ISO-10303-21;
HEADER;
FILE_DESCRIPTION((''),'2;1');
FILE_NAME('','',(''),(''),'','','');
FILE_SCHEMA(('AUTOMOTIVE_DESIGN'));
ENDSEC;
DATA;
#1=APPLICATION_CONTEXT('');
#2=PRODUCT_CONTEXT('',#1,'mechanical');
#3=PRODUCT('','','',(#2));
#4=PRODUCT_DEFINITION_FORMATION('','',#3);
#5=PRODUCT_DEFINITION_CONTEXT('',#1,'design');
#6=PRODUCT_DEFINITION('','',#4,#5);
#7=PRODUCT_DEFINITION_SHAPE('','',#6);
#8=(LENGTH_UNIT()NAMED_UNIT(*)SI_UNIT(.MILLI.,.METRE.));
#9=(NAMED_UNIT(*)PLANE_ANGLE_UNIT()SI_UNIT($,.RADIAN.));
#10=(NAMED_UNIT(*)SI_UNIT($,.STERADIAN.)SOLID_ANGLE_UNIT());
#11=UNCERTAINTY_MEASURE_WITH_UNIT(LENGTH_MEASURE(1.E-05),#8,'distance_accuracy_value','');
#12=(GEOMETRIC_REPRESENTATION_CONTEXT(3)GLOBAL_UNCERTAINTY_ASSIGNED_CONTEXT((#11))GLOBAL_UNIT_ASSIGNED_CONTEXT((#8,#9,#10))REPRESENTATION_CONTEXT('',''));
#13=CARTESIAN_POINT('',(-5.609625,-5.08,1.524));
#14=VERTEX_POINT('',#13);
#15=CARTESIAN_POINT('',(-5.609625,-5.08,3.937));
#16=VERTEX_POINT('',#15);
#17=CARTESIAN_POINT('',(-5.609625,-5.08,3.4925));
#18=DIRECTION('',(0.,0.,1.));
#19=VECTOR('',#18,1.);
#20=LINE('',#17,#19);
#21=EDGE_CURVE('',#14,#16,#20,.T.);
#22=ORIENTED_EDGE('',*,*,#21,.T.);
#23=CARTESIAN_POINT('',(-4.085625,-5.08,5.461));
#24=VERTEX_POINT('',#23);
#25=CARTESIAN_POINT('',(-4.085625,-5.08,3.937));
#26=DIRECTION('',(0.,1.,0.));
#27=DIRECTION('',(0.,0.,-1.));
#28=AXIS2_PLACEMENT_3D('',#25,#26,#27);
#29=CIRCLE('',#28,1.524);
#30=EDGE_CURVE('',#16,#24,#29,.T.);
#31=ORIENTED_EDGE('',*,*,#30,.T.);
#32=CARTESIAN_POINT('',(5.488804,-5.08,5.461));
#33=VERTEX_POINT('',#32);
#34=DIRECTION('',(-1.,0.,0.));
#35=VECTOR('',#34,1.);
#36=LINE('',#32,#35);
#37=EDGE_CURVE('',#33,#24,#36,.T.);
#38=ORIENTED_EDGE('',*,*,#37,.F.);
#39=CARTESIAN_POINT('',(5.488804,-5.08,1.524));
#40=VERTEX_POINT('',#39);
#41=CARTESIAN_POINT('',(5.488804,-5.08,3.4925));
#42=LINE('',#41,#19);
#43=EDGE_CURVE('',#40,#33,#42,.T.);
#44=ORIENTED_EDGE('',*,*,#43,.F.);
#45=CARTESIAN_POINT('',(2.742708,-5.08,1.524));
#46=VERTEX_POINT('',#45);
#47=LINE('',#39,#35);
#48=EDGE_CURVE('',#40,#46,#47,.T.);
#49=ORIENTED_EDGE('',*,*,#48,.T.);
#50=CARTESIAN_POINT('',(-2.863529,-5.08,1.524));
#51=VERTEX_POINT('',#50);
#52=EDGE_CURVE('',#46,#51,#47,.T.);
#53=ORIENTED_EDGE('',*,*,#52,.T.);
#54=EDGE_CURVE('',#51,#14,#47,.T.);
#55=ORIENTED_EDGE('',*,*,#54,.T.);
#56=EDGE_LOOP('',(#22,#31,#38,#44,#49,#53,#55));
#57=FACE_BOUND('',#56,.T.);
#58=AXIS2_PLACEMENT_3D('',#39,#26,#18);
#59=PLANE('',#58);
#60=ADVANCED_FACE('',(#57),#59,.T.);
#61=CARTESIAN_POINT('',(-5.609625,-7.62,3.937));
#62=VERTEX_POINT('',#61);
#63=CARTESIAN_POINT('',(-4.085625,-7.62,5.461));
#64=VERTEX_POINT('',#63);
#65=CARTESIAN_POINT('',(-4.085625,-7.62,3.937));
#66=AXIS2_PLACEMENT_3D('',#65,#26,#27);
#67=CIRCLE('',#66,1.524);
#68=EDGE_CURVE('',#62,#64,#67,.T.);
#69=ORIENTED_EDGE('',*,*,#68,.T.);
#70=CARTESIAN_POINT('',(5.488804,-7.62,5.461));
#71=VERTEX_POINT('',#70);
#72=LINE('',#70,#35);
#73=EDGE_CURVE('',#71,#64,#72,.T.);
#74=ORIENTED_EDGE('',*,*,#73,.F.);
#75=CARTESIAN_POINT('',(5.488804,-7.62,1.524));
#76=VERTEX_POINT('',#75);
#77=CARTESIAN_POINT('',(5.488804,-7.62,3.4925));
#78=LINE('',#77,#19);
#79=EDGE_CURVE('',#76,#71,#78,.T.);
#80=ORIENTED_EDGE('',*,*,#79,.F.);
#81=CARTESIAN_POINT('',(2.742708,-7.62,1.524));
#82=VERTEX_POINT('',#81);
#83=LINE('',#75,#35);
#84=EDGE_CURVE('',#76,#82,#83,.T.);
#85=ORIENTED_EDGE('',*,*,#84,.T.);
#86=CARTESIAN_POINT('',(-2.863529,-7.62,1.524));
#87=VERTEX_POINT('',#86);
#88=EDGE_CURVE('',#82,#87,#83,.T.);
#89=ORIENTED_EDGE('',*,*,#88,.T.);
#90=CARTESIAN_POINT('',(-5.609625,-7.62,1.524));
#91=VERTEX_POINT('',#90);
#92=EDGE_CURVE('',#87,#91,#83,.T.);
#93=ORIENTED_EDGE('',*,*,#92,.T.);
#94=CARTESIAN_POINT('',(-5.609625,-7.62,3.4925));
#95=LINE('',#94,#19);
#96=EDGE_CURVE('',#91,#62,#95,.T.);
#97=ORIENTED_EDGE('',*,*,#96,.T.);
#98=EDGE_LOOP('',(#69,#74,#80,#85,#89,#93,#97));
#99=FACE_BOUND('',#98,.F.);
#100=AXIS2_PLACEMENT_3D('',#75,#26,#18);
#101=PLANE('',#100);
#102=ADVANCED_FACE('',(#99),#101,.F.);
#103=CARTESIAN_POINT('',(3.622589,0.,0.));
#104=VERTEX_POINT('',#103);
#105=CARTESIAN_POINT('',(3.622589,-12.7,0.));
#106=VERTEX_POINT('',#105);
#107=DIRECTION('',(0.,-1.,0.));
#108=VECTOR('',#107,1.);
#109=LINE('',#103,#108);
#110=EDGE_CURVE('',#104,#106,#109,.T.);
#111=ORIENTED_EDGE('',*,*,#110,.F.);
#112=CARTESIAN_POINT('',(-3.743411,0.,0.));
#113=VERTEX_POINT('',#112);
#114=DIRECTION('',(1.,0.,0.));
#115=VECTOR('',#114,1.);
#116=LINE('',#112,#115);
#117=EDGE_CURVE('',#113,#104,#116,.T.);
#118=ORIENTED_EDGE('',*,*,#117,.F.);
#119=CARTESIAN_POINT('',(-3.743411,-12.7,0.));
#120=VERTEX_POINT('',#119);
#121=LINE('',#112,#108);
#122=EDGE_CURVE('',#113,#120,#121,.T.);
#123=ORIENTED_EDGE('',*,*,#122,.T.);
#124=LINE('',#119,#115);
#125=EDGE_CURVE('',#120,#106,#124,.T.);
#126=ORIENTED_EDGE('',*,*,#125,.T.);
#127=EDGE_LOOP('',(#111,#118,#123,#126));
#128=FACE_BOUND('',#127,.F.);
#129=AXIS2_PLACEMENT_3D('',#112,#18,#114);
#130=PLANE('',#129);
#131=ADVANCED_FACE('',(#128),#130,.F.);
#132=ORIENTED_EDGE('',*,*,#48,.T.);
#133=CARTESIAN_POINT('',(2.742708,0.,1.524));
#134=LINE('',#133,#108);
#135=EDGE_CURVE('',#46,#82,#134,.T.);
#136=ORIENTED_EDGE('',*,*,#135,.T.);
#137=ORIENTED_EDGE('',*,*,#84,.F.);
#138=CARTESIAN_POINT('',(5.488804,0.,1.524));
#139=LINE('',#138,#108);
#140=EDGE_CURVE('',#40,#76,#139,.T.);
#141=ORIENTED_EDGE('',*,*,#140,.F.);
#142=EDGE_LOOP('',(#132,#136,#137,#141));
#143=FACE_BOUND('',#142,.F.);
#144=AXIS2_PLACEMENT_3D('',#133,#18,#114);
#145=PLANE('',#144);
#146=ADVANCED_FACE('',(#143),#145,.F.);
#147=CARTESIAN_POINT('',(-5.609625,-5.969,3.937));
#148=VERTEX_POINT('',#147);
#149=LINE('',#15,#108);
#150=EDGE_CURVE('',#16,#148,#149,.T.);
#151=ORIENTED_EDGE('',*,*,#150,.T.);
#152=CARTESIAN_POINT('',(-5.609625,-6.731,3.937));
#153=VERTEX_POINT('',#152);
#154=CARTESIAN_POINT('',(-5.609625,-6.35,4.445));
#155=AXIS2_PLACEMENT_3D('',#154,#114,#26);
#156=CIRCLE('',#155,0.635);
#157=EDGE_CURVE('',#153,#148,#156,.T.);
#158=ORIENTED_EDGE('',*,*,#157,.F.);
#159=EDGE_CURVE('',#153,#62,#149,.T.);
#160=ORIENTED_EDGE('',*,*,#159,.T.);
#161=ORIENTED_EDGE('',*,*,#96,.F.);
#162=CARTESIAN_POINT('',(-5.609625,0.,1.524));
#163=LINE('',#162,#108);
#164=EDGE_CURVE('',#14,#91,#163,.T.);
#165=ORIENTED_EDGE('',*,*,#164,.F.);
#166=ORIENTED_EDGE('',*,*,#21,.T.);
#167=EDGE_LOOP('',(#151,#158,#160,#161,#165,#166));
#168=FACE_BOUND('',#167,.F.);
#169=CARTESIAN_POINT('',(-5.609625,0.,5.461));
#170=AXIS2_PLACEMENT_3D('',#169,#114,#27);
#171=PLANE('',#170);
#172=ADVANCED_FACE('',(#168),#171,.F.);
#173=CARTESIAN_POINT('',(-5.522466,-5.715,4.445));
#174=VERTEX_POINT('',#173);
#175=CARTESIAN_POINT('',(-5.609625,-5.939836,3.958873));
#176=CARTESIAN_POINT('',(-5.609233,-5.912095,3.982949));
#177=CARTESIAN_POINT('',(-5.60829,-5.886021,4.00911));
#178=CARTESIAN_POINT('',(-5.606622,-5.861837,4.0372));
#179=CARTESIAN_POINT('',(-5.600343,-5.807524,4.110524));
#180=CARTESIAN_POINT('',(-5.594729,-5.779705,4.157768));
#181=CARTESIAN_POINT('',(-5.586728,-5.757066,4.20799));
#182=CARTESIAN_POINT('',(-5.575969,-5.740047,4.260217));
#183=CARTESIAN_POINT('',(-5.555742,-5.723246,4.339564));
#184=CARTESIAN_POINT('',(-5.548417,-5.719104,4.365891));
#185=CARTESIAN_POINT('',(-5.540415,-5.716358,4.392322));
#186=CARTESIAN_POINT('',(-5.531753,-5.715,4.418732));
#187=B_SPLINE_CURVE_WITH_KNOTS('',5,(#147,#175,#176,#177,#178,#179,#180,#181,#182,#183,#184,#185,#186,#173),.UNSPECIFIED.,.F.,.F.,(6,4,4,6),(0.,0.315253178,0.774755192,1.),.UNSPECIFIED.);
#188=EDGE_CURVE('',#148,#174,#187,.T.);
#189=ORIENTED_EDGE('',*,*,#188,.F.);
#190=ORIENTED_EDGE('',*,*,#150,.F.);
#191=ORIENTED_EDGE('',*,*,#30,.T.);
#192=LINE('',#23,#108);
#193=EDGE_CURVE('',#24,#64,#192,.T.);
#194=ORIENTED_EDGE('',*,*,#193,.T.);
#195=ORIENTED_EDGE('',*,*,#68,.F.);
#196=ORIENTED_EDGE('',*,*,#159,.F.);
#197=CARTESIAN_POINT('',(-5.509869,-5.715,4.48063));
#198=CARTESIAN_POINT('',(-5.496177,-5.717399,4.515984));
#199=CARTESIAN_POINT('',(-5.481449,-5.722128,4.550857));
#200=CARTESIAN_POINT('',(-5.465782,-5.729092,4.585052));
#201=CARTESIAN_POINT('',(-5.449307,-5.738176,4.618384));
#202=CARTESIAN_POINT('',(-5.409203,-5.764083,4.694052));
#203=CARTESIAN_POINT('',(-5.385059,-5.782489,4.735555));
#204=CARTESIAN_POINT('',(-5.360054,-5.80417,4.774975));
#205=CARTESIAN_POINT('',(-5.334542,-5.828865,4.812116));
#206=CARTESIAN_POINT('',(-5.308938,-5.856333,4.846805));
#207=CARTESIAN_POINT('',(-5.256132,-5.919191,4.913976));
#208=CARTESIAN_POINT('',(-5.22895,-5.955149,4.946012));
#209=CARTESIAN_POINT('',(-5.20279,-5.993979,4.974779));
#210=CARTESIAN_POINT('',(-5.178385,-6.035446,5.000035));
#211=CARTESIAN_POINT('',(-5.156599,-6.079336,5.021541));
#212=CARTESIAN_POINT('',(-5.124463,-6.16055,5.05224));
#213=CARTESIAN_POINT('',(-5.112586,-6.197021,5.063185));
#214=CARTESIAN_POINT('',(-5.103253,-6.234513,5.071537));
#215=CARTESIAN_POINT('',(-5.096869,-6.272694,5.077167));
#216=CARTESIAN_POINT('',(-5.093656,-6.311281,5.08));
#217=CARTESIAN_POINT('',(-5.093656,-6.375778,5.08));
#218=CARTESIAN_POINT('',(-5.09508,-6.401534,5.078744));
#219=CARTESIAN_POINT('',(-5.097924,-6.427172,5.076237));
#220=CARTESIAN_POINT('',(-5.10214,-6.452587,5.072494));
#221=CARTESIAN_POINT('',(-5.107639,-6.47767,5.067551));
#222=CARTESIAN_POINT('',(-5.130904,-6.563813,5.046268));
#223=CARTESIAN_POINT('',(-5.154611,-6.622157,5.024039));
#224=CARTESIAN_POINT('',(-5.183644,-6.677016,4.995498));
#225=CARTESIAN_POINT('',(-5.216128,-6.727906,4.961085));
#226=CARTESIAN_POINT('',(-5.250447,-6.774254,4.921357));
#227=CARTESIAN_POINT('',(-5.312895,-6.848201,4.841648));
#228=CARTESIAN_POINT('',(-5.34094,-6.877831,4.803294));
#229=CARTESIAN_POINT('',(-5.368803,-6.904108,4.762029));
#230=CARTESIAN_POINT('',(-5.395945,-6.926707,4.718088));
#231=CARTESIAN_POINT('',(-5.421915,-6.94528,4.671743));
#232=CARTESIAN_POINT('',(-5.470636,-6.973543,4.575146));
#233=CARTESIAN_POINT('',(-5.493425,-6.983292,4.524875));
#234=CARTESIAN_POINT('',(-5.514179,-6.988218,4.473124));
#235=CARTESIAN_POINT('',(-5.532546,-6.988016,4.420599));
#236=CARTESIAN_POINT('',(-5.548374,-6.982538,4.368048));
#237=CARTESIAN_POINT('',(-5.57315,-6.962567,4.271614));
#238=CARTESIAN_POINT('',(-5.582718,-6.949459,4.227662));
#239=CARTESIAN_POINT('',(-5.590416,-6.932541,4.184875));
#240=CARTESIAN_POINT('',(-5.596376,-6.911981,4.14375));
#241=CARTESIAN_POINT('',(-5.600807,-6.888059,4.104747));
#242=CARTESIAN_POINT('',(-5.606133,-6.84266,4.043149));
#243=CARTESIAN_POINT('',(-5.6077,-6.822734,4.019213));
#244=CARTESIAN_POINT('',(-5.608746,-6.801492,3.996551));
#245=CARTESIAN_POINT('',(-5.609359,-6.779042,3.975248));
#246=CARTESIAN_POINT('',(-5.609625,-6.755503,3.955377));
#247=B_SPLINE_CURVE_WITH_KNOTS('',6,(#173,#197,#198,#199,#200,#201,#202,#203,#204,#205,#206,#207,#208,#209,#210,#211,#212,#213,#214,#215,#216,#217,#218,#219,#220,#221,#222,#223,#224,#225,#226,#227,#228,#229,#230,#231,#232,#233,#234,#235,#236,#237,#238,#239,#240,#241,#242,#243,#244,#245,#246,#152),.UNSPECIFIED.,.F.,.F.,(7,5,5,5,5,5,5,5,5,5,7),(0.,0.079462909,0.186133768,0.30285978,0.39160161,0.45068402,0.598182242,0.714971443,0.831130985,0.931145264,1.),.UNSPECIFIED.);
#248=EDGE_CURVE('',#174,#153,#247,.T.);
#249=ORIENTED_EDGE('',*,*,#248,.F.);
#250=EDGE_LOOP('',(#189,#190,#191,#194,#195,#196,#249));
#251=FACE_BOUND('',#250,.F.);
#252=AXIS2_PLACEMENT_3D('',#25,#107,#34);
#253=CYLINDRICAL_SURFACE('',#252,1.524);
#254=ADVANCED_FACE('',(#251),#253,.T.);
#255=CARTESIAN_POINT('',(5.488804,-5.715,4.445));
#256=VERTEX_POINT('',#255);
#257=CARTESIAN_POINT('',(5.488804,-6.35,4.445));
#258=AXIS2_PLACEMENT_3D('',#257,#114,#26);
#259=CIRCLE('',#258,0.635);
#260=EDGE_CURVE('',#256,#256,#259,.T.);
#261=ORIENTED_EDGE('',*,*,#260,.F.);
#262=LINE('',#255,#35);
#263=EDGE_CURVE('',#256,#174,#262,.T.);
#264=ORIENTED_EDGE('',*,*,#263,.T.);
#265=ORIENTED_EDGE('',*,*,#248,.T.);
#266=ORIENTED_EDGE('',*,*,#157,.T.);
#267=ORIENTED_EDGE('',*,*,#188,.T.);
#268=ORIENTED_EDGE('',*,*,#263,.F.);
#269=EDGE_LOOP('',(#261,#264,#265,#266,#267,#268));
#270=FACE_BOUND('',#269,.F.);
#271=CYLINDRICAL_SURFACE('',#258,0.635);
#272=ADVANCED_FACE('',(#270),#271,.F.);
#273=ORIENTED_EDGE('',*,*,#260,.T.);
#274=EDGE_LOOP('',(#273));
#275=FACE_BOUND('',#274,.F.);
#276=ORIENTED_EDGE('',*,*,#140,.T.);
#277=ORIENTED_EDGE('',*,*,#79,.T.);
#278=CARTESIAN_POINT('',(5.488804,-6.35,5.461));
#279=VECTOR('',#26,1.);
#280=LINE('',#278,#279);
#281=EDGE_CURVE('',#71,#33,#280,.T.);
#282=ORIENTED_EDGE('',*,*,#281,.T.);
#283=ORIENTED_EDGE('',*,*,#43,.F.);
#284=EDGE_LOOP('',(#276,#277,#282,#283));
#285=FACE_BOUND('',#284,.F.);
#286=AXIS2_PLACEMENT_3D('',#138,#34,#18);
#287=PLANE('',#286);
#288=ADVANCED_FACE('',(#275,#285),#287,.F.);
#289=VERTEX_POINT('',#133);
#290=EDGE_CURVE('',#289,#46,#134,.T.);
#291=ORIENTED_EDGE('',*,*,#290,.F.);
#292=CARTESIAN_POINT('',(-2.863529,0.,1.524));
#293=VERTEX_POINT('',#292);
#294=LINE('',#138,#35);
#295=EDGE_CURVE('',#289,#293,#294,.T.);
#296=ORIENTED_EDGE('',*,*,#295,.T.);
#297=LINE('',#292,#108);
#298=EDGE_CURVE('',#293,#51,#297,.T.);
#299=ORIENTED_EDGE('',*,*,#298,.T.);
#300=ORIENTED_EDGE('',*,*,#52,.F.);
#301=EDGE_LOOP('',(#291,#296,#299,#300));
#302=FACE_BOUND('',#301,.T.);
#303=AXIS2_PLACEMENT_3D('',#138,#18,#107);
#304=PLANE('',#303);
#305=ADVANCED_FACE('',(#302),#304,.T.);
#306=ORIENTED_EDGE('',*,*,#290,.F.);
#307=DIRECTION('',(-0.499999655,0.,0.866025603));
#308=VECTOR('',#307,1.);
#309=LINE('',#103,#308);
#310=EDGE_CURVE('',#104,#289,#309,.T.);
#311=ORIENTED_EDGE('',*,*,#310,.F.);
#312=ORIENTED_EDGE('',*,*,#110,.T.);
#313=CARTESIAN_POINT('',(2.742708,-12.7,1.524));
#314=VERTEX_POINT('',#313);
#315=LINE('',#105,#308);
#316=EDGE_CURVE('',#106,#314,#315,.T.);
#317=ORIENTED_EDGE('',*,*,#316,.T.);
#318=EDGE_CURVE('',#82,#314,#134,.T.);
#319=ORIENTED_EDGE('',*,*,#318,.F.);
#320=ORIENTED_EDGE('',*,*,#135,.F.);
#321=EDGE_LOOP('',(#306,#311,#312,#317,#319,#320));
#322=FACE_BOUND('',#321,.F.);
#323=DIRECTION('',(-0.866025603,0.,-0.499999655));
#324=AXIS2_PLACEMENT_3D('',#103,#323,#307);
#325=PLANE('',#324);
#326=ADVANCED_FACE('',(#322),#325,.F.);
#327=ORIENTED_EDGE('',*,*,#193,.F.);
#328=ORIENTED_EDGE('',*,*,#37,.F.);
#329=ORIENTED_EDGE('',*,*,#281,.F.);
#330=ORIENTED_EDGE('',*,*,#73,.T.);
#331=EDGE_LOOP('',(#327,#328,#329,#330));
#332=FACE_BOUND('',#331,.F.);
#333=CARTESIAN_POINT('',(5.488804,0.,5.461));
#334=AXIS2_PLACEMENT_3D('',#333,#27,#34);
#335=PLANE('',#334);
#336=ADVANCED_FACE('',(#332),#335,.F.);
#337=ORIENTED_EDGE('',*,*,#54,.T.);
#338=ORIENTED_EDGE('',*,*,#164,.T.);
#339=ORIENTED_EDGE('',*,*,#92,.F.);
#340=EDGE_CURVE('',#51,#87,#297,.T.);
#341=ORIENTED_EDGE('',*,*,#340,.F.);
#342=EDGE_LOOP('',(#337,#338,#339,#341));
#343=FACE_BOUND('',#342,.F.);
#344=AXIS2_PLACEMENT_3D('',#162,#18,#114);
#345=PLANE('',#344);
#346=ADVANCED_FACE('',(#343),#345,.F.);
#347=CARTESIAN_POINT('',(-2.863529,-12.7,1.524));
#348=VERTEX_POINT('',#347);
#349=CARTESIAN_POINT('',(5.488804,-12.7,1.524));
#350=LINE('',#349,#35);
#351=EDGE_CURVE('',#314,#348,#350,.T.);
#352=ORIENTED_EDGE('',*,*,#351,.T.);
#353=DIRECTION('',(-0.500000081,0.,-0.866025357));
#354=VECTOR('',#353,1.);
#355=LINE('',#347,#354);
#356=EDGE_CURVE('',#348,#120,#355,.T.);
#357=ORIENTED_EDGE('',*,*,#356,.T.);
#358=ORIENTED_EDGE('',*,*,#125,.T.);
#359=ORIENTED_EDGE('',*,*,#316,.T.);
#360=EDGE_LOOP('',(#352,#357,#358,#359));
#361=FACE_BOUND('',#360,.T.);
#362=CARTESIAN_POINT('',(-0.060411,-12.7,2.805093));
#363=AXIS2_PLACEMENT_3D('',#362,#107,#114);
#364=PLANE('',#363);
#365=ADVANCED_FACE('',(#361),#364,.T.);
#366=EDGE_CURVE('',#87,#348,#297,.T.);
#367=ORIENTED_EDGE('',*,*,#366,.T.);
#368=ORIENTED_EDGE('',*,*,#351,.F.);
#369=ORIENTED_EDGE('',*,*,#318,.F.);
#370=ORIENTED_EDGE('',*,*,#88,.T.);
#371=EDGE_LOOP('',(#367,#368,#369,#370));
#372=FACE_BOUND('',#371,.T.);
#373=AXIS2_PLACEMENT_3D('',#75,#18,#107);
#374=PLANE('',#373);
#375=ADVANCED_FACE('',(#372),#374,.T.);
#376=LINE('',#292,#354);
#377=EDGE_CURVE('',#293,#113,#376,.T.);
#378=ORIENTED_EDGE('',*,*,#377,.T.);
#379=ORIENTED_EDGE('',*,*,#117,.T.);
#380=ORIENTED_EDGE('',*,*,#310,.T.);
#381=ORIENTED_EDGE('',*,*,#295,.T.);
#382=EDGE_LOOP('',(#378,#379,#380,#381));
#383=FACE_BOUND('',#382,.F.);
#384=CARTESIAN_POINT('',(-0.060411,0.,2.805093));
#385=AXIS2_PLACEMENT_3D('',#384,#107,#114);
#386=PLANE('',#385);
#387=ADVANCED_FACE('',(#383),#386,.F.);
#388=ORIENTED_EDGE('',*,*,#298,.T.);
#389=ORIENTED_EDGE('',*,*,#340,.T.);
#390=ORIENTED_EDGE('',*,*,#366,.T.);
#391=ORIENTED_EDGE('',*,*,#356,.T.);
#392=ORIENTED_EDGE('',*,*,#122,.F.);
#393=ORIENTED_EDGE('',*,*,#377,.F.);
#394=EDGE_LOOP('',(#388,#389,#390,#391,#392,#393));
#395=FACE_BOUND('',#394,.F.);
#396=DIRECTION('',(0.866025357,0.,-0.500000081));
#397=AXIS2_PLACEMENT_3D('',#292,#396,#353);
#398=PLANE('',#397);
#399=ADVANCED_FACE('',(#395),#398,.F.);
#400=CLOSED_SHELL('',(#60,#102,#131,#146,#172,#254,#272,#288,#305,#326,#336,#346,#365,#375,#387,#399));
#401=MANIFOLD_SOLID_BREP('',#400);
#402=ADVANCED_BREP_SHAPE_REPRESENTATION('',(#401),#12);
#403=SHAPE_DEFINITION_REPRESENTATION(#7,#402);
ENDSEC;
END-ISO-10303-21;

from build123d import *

# Parameters (mm, degrees)
F1_DEPTH = 12.7
F2_W     = 2.54
F2_H     = 3.937
F3_DEPTH = 25.4
F4_R     = 1.524
F5_R     = 0.635
F6_DEPTH = 25.4


with BuildPart() as f1:
    # F0 (on Front) → F1 (new body)
    with BuildSketch(Plane.XZ):
        Polygon((-2.863529, 1.524), (-3.743411, 0), (3.622589, 0), (2.742708, 1.524), (5.488804, 1.524), (5.488804, 5.461), (-5.609625, 5.461), (-5.609625, 1.524), align=None)
    extrude(amount=F1_DEPTH)

    # F2 (on face) → F3 (intersect)
    with BuildSketch(Plane.YZ.offset(5.488804)):
        with Locations((-6.35, 3.4925)):
            Rectangle(F2_W, F2_H)
        Polygon((-7.62, 1.524), (-12.7, 1.524), (-12.7, 0), (0, 0), (0, 1.524), (-5.08, 1.524), align=None)
    extrude(amount=-F3_DEPTH, mode=Mode.INTERSECT)

    # F4
    f4_edges = [f1.edges().sort_by_distance(p)[0] for p in [
        (-5.609625, -6.35, 5.461),
    ]]
    fillet(f4_edges, radius=F4_R)

    # F5 (on face) → F6 (cut)
    with BuildSketch(Plane.YZ.offset(5.488804)):
        with Locations((-6.35, 4.445)):
            Circle(F5_R)
    extrude(amount=-F6_DEPTH, mode=Mode.SUBTRACT)


solid = f1.part
